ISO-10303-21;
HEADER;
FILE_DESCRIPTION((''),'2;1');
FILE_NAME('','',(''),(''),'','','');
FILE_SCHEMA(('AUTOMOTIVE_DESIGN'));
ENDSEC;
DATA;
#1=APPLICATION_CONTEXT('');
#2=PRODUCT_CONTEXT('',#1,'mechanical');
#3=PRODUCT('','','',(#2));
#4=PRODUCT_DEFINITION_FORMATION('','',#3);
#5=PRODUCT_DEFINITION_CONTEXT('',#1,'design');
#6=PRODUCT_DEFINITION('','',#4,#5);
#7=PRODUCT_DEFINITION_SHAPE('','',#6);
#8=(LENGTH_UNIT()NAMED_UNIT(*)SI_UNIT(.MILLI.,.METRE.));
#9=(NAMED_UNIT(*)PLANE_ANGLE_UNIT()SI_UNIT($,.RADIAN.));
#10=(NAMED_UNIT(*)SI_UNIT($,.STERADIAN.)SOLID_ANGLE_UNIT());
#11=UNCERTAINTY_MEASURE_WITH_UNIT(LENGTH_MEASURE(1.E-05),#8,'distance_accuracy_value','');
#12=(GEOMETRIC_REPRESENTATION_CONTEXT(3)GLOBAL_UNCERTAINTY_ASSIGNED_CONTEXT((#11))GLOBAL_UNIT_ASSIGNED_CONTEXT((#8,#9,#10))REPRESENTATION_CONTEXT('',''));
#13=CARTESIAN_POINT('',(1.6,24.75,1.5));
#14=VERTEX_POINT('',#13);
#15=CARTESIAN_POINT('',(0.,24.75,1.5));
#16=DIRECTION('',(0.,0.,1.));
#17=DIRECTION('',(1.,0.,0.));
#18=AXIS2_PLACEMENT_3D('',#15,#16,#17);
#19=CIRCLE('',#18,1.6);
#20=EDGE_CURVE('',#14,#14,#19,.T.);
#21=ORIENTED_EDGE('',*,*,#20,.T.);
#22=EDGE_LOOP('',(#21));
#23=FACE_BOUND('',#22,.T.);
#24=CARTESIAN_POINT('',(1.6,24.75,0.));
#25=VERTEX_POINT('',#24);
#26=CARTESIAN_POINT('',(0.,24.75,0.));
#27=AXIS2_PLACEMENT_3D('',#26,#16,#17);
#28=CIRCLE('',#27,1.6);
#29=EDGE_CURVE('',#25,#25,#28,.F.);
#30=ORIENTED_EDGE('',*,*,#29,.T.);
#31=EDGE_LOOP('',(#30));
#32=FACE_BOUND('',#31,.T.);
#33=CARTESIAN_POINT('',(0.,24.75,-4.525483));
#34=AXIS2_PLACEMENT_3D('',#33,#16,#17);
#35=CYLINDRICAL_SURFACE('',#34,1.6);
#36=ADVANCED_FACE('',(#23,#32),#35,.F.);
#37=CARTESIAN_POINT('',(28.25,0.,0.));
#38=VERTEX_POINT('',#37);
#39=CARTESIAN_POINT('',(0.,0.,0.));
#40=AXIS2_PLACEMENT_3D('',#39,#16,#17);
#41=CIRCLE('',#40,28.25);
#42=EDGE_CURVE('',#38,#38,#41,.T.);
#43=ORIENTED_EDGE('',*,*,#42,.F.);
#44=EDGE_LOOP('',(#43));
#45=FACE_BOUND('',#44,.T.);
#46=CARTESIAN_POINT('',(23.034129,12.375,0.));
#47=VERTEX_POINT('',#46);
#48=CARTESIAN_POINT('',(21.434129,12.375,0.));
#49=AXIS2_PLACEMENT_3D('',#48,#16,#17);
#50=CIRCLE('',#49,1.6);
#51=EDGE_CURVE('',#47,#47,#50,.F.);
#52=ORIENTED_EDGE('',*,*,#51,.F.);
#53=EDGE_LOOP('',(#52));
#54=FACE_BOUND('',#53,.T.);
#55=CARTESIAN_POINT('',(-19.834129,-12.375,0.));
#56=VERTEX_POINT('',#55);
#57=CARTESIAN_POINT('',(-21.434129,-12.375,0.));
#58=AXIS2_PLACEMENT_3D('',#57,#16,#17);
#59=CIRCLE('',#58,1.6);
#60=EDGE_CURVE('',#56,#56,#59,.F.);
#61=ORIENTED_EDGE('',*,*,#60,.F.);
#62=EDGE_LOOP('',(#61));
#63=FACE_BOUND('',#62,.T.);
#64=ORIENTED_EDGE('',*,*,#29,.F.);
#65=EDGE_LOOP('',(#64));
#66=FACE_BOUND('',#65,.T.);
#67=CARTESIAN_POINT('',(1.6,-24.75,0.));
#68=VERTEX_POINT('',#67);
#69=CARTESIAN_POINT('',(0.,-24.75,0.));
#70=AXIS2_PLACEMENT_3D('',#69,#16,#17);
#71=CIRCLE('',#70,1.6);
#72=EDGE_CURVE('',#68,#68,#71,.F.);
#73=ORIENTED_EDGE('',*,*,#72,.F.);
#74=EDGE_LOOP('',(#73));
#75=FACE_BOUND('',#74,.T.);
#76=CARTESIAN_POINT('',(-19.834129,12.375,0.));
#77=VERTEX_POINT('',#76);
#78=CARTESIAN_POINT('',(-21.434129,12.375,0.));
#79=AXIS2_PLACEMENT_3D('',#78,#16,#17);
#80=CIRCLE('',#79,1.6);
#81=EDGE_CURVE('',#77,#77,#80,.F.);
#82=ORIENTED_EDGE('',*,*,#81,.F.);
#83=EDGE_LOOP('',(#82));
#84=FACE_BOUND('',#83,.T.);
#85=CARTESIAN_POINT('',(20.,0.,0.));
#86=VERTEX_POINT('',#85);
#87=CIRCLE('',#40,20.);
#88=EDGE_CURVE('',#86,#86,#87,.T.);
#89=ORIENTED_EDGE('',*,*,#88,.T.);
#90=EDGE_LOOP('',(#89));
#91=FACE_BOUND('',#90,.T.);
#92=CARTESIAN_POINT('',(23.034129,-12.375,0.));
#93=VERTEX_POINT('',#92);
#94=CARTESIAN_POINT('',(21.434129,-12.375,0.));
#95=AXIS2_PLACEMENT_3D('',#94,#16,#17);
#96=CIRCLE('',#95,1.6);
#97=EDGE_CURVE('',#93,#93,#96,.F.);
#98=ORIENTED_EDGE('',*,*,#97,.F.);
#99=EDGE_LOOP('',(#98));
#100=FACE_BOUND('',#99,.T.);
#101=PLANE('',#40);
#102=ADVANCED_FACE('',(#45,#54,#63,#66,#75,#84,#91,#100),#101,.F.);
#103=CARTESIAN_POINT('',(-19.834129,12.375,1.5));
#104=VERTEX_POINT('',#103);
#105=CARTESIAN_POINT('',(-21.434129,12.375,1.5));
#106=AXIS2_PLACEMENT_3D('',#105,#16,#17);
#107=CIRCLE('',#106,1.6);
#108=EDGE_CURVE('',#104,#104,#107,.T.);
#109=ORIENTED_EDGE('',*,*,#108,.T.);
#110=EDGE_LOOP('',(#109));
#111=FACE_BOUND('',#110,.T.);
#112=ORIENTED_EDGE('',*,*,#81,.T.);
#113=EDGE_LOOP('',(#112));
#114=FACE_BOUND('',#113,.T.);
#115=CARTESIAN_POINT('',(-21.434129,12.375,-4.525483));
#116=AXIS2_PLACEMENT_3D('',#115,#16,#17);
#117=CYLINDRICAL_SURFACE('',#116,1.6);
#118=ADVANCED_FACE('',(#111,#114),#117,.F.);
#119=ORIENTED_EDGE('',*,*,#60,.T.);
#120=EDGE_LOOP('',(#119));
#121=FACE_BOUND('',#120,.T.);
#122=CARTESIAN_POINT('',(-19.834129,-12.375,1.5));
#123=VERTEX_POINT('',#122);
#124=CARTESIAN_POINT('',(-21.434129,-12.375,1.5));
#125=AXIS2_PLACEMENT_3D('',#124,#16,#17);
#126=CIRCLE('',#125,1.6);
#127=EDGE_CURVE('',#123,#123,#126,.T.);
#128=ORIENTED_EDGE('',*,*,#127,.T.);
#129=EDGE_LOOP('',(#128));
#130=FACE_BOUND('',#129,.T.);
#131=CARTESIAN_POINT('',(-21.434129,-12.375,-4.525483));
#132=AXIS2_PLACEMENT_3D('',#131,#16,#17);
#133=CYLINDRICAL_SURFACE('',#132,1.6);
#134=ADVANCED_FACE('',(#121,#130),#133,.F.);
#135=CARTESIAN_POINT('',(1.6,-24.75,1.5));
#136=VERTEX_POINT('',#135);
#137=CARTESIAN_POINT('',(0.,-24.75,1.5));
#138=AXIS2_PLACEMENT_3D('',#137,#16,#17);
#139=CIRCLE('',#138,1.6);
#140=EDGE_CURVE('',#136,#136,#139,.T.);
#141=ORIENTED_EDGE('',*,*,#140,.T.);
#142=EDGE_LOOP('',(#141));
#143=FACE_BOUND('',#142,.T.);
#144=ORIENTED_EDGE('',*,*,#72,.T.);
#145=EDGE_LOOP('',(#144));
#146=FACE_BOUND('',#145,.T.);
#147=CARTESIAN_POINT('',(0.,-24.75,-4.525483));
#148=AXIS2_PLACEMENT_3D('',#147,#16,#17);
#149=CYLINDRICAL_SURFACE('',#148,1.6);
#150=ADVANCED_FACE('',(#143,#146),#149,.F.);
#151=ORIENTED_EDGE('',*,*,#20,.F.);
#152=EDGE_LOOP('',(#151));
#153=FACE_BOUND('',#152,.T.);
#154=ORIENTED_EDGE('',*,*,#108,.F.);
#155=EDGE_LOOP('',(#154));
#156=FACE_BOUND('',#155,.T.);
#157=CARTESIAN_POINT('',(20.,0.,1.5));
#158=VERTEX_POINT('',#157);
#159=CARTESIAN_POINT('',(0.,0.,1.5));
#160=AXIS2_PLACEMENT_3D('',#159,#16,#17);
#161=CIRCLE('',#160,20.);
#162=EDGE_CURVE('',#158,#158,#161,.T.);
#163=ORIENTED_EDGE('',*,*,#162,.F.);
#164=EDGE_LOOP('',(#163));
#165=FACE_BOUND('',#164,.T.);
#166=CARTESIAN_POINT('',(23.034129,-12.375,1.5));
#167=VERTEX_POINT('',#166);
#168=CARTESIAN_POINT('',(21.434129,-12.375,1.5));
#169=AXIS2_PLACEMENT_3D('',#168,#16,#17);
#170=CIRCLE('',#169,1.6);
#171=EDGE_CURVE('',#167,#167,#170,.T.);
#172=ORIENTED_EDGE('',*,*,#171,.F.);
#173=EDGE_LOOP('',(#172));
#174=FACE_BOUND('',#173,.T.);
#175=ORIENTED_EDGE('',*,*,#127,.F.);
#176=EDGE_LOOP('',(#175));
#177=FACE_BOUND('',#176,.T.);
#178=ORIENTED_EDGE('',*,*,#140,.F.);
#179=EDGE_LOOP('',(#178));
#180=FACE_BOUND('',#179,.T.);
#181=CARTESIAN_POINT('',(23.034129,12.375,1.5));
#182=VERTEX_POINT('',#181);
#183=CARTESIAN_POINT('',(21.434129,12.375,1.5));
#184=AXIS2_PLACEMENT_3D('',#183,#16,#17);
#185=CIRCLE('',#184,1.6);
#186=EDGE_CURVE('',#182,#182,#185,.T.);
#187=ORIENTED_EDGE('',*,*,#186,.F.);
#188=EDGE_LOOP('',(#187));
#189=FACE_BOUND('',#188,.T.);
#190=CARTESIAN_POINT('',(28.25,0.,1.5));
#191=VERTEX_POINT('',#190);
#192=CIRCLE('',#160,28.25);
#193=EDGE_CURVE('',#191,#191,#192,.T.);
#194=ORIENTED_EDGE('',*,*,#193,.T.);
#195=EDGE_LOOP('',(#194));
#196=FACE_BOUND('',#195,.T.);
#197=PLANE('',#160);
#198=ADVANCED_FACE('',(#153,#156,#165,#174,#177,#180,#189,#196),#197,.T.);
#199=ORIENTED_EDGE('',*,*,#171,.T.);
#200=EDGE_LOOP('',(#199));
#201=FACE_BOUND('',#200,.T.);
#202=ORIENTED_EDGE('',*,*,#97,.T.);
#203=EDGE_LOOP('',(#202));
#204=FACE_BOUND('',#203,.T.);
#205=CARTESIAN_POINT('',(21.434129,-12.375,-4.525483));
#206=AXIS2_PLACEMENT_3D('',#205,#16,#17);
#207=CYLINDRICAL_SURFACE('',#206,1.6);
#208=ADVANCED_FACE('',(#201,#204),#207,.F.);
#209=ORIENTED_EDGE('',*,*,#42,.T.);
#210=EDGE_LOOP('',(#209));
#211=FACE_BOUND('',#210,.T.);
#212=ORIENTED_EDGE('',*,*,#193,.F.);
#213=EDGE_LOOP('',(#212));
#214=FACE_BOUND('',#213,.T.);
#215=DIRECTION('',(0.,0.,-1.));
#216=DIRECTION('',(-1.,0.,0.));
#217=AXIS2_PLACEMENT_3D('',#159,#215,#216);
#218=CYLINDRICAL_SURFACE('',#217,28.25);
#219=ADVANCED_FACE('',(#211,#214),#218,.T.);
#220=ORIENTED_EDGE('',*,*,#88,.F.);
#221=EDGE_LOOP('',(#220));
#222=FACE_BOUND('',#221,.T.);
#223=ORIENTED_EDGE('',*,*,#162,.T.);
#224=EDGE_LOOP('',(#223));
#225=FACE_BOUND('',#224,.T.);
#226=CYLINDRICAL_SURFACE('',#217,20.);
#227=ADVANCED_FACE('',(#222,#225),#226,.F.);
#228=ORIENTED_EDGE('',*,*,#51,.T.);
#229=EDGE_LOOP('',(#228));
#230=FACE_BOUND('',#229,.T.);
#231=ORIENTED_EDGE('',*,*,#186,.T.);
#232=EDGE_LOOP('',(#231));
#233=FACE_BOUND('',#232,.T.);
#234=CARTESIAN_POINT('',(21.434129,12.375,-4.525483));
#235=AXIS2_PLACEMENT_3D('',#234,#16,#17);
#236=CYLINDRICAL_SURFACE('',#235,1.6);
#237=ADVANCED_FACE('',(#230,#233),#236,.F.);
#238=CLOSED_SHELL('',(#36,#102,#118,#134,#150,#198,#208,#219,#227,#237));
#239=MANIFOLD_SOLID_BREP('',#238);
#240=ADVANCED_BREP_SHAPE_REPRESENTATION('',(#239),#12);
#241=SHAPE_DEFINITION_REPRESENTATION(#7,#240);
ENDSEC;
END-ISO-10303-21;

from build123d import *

# Parameters (mm, degrees)
SKETCH_1_R          = 28.25
SKETCH_1_R_2        = 20
EXTRUDE_1_DEPTH     = 1.5
SKETCH_2_R          = 1.6
CUT_EXTRUDE_1_DEPTH = 1.5


with BuildPart() as part:
    # 草图1 → 凸台-拉伸1 (new body)
    with BuildSketch(Plane.XY):
        Circle(SKETCH_1_R)
        Circle(SKETCH_1_R_2, mode=Mode.SUBTRACT)
    extrude(amount=EXTRUDE_1_DEPTH)

    # 草图2 → 切除-拉伸1 (cut)
    with BuildSketch(Plane.XY.offset(1.5)):
        with Locations((0, 24.75)):
            Circle(SKETCH_2_R)
        with Locations((21.434128744, 12.375)):
            Circle(SKETCH_2_R)
        with Locations((21.434128744, -12.375)):
            Circle(SKETCH_2_R)
        with Locations((0, -24.75)):
            Circle(SKETCH_2_R)
        with Locations((-21.434128744, -12.375)):
            Circle(SKETCH_2_R)
        with Locations((-21.434128744, 12.375)):
            Circle(SKETCH_2_R)
    extrude(amount=-CUT_EXTRUDE_1_DEPTH, mode=Mode.SUBTRACT)


solid = part.part
